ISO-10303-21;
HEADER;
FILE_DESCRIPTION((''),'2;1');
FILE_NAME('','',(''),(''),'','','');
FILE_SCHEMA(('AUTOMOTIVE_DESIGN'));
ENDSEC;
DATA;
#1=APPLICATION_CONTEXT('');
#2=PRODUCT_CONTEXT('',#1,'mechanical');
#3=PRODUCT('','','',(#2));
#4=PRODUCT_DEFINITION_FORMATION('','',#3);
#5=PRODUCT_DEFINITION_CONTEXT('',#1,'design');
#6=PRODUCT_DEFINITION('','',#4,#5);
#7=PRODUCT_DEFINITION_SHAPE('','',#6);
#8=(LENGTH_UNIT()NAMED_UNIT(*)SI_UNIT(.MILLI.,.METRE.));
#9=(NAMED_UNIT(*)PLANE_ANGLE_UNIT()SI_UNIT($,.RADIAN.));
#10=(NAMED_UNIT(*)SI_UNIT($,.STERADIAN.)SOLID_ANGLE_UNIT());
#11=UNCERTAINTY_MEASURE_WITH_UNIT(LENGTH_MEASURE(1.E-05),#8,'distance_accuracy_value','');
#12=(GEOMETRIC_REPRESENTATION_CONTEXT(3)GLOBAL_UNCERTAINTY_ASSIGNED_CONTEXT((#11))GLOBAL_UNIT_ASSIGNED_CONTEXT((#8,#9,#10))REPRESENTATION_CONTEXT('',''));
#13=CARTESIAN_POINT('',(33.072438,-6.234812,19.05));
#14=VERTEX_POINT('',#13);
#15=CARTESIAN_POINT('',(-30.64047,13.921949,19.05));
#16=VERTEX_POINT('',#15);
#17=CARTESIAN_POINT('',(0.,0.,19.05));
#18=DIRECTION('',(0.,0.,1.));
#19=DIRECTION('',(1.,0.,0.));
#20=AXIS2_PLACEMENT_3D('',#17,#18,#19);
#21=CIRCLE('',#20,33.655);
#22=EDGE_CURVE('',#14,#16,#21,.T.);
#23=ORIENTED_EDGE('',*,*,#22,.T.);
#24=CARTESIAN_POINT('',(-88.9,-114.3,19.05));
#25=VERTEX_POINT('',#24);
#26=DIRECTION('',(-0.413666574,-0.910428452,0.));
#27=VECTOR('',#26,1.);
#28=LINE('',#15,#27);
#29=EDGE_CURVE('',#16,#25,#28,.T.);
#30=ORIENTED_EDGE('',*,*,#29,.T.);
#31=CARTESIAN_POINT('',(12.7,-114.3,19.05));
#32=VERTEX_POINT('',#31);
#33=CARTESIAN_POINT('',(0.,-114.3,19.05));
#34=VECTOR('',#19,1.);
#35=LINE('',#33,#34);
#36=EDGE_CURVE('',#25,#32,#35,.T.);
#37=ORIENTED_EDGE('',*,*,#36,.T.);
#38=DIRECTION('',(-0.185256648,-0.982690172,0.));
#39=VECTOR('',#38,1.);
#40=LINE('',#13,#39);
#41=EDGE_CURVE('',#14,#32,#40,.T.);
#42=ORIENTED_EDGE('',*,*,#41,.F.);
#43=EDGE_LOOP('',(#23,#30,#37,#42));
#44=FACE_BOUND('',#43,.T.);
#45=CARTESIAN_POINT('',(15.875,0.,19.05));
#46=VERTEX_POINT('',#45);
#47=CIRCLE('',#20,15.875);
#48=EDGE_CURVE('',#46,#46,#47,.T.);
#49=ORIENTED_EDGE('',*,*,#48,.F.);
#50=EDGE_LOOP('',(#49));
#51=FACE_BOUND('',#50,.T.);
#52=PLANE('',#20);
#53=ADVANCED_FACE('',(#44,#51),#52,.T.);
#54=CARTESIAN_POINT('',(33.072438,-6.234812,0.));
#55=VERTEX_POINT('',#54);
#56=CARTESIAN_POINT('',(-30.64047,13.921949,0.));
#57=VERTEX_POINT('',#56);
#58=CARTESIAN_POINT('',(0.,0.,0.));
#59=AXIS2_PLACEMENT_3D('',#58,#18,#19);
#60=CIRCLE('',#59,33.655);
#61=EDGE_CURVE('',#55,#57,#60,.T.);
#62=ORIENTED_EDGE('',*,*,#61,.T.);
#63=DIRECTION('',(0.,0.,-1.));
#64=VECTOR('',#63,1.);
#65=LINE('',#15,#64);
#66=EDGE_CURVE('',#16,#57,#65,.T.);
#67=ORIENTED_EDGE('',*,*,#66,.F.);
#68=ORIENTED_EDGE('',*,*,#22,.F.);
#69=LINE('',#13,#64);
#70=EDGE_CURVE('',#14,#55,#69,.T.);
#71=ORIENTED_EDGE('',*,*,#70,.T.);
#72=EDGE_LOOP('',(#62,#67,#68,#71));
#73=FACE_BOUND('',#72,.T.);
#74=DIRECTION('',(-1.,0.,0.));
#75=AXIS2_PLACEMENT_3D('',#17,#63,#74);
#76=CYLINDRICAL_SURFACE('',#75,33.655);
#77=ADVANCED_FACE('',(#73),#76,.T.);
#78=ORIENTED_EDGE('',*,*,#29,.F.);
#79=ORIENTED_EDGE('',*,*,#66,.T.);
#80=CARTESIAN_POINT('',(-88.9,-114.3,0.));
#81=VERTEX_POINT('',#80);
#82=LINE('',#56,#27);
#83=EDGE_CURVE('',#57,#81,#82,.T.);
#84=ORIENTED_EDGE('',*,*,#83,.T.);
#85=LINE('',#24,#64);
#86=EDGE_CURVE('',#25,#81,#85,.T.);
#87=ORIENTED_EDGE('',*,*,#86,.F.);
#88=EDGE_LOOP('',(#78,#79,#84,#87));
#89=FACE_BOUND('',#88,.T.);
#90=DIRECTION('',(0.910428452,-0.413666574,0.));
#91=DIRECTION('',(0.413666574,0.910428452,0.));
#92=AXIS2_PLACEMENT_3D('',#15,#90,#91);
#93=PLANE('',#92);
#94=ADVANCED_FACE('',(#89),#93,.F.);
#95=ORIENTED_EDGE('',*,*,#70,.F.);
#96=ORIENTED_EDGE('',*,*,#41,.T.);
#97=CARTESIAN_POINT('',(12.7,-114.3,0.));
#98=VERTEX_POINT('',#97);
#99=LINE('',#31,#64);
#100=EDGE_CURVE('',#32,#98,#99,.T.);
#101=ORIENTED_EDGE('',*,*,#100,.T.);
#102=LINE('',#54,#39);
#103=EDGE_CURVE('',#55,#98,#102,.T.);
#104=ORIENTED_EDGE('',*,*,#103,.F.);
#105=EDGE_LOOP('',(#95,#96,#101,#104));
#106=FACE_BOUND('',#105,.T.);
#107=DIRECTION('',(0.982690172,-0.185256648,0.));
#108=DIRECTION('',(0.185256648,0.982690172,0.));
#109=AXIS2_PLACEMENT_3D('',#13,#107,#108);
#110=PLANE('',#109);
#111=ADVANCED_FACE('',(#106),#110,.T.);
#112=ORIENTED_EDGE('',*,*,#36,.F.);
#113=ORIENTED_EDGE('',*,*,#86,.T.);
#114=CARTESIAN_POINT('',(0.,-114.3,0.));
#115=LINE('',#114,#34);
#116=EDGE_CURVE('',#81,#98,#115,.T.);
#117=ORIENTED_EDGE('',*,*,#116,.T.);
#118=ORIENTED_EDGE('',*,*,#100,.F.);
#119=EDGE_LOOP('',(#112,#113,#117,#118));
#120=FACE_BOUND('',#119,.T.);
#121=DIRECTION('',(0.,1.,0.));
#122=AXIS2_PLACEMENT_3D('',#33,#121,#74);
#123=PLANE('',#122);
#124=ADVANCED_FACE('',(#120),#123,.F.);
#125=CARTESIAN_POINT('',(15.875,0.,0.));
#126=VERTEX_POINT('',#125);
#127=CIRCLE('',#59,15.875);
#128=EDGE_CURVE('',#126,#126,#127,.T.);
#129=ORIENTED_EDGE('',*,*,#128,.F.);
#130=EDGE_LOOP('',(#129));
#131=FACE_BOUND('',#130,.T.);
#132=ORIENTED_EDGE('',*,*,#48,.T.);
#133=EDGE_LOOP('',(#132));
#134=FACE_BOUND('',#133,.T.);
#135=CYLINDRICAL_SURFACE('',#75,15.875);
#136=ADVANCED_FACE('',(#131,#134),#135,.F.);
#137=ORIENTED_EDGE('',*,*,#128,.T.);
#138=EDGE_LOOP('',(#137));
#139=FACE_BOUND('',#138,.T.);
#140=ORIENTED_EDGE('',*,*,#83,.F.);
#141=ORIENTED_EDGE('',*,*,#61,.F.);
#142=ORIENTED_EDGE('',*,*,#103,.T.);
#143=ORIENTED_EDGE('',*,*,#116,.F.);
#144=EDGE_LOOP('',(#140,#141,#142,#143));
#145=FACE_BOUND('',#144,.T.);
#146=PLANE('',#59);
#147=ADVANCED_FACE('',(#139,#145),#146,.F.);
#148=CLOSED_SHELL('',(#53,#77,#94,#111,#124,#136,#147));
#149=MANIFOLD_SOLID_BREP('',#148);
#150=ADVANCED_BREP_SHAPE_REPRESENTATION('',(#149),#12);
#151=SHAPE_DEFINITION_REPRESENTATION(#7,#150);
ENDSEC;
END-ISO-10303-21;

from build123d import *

# Parameters (mm, degrees)
SKETCH1_R           = 15.875
BOSS_EXTRUDE1_DEPTH = 19.05


with BuildPart() as part:
    # Sketch1 → Boss-Extrude1 (new body)
    with BuildSketch(Plane.XY):
        with BuildLine():
            Line((33.072437746, -6.234812473), (12.7, -114.3))
            Line((12.7, -114.3), (-88.9, -114.3))
            Line((-88.9, -114.3), (-30.640469546, 13.921948535))
            ThreePointArc((-30.640469546, 13.921948535), (10.151471367, 32.087484384), (33.072437746, -6.234812473))
        make_face()
        Circle(SKETCH1_R, mode=Mode.SUBTRACT)
    extrude(amount=BOSS_EXTRUDE1_DEPTH)


solid = part.part
